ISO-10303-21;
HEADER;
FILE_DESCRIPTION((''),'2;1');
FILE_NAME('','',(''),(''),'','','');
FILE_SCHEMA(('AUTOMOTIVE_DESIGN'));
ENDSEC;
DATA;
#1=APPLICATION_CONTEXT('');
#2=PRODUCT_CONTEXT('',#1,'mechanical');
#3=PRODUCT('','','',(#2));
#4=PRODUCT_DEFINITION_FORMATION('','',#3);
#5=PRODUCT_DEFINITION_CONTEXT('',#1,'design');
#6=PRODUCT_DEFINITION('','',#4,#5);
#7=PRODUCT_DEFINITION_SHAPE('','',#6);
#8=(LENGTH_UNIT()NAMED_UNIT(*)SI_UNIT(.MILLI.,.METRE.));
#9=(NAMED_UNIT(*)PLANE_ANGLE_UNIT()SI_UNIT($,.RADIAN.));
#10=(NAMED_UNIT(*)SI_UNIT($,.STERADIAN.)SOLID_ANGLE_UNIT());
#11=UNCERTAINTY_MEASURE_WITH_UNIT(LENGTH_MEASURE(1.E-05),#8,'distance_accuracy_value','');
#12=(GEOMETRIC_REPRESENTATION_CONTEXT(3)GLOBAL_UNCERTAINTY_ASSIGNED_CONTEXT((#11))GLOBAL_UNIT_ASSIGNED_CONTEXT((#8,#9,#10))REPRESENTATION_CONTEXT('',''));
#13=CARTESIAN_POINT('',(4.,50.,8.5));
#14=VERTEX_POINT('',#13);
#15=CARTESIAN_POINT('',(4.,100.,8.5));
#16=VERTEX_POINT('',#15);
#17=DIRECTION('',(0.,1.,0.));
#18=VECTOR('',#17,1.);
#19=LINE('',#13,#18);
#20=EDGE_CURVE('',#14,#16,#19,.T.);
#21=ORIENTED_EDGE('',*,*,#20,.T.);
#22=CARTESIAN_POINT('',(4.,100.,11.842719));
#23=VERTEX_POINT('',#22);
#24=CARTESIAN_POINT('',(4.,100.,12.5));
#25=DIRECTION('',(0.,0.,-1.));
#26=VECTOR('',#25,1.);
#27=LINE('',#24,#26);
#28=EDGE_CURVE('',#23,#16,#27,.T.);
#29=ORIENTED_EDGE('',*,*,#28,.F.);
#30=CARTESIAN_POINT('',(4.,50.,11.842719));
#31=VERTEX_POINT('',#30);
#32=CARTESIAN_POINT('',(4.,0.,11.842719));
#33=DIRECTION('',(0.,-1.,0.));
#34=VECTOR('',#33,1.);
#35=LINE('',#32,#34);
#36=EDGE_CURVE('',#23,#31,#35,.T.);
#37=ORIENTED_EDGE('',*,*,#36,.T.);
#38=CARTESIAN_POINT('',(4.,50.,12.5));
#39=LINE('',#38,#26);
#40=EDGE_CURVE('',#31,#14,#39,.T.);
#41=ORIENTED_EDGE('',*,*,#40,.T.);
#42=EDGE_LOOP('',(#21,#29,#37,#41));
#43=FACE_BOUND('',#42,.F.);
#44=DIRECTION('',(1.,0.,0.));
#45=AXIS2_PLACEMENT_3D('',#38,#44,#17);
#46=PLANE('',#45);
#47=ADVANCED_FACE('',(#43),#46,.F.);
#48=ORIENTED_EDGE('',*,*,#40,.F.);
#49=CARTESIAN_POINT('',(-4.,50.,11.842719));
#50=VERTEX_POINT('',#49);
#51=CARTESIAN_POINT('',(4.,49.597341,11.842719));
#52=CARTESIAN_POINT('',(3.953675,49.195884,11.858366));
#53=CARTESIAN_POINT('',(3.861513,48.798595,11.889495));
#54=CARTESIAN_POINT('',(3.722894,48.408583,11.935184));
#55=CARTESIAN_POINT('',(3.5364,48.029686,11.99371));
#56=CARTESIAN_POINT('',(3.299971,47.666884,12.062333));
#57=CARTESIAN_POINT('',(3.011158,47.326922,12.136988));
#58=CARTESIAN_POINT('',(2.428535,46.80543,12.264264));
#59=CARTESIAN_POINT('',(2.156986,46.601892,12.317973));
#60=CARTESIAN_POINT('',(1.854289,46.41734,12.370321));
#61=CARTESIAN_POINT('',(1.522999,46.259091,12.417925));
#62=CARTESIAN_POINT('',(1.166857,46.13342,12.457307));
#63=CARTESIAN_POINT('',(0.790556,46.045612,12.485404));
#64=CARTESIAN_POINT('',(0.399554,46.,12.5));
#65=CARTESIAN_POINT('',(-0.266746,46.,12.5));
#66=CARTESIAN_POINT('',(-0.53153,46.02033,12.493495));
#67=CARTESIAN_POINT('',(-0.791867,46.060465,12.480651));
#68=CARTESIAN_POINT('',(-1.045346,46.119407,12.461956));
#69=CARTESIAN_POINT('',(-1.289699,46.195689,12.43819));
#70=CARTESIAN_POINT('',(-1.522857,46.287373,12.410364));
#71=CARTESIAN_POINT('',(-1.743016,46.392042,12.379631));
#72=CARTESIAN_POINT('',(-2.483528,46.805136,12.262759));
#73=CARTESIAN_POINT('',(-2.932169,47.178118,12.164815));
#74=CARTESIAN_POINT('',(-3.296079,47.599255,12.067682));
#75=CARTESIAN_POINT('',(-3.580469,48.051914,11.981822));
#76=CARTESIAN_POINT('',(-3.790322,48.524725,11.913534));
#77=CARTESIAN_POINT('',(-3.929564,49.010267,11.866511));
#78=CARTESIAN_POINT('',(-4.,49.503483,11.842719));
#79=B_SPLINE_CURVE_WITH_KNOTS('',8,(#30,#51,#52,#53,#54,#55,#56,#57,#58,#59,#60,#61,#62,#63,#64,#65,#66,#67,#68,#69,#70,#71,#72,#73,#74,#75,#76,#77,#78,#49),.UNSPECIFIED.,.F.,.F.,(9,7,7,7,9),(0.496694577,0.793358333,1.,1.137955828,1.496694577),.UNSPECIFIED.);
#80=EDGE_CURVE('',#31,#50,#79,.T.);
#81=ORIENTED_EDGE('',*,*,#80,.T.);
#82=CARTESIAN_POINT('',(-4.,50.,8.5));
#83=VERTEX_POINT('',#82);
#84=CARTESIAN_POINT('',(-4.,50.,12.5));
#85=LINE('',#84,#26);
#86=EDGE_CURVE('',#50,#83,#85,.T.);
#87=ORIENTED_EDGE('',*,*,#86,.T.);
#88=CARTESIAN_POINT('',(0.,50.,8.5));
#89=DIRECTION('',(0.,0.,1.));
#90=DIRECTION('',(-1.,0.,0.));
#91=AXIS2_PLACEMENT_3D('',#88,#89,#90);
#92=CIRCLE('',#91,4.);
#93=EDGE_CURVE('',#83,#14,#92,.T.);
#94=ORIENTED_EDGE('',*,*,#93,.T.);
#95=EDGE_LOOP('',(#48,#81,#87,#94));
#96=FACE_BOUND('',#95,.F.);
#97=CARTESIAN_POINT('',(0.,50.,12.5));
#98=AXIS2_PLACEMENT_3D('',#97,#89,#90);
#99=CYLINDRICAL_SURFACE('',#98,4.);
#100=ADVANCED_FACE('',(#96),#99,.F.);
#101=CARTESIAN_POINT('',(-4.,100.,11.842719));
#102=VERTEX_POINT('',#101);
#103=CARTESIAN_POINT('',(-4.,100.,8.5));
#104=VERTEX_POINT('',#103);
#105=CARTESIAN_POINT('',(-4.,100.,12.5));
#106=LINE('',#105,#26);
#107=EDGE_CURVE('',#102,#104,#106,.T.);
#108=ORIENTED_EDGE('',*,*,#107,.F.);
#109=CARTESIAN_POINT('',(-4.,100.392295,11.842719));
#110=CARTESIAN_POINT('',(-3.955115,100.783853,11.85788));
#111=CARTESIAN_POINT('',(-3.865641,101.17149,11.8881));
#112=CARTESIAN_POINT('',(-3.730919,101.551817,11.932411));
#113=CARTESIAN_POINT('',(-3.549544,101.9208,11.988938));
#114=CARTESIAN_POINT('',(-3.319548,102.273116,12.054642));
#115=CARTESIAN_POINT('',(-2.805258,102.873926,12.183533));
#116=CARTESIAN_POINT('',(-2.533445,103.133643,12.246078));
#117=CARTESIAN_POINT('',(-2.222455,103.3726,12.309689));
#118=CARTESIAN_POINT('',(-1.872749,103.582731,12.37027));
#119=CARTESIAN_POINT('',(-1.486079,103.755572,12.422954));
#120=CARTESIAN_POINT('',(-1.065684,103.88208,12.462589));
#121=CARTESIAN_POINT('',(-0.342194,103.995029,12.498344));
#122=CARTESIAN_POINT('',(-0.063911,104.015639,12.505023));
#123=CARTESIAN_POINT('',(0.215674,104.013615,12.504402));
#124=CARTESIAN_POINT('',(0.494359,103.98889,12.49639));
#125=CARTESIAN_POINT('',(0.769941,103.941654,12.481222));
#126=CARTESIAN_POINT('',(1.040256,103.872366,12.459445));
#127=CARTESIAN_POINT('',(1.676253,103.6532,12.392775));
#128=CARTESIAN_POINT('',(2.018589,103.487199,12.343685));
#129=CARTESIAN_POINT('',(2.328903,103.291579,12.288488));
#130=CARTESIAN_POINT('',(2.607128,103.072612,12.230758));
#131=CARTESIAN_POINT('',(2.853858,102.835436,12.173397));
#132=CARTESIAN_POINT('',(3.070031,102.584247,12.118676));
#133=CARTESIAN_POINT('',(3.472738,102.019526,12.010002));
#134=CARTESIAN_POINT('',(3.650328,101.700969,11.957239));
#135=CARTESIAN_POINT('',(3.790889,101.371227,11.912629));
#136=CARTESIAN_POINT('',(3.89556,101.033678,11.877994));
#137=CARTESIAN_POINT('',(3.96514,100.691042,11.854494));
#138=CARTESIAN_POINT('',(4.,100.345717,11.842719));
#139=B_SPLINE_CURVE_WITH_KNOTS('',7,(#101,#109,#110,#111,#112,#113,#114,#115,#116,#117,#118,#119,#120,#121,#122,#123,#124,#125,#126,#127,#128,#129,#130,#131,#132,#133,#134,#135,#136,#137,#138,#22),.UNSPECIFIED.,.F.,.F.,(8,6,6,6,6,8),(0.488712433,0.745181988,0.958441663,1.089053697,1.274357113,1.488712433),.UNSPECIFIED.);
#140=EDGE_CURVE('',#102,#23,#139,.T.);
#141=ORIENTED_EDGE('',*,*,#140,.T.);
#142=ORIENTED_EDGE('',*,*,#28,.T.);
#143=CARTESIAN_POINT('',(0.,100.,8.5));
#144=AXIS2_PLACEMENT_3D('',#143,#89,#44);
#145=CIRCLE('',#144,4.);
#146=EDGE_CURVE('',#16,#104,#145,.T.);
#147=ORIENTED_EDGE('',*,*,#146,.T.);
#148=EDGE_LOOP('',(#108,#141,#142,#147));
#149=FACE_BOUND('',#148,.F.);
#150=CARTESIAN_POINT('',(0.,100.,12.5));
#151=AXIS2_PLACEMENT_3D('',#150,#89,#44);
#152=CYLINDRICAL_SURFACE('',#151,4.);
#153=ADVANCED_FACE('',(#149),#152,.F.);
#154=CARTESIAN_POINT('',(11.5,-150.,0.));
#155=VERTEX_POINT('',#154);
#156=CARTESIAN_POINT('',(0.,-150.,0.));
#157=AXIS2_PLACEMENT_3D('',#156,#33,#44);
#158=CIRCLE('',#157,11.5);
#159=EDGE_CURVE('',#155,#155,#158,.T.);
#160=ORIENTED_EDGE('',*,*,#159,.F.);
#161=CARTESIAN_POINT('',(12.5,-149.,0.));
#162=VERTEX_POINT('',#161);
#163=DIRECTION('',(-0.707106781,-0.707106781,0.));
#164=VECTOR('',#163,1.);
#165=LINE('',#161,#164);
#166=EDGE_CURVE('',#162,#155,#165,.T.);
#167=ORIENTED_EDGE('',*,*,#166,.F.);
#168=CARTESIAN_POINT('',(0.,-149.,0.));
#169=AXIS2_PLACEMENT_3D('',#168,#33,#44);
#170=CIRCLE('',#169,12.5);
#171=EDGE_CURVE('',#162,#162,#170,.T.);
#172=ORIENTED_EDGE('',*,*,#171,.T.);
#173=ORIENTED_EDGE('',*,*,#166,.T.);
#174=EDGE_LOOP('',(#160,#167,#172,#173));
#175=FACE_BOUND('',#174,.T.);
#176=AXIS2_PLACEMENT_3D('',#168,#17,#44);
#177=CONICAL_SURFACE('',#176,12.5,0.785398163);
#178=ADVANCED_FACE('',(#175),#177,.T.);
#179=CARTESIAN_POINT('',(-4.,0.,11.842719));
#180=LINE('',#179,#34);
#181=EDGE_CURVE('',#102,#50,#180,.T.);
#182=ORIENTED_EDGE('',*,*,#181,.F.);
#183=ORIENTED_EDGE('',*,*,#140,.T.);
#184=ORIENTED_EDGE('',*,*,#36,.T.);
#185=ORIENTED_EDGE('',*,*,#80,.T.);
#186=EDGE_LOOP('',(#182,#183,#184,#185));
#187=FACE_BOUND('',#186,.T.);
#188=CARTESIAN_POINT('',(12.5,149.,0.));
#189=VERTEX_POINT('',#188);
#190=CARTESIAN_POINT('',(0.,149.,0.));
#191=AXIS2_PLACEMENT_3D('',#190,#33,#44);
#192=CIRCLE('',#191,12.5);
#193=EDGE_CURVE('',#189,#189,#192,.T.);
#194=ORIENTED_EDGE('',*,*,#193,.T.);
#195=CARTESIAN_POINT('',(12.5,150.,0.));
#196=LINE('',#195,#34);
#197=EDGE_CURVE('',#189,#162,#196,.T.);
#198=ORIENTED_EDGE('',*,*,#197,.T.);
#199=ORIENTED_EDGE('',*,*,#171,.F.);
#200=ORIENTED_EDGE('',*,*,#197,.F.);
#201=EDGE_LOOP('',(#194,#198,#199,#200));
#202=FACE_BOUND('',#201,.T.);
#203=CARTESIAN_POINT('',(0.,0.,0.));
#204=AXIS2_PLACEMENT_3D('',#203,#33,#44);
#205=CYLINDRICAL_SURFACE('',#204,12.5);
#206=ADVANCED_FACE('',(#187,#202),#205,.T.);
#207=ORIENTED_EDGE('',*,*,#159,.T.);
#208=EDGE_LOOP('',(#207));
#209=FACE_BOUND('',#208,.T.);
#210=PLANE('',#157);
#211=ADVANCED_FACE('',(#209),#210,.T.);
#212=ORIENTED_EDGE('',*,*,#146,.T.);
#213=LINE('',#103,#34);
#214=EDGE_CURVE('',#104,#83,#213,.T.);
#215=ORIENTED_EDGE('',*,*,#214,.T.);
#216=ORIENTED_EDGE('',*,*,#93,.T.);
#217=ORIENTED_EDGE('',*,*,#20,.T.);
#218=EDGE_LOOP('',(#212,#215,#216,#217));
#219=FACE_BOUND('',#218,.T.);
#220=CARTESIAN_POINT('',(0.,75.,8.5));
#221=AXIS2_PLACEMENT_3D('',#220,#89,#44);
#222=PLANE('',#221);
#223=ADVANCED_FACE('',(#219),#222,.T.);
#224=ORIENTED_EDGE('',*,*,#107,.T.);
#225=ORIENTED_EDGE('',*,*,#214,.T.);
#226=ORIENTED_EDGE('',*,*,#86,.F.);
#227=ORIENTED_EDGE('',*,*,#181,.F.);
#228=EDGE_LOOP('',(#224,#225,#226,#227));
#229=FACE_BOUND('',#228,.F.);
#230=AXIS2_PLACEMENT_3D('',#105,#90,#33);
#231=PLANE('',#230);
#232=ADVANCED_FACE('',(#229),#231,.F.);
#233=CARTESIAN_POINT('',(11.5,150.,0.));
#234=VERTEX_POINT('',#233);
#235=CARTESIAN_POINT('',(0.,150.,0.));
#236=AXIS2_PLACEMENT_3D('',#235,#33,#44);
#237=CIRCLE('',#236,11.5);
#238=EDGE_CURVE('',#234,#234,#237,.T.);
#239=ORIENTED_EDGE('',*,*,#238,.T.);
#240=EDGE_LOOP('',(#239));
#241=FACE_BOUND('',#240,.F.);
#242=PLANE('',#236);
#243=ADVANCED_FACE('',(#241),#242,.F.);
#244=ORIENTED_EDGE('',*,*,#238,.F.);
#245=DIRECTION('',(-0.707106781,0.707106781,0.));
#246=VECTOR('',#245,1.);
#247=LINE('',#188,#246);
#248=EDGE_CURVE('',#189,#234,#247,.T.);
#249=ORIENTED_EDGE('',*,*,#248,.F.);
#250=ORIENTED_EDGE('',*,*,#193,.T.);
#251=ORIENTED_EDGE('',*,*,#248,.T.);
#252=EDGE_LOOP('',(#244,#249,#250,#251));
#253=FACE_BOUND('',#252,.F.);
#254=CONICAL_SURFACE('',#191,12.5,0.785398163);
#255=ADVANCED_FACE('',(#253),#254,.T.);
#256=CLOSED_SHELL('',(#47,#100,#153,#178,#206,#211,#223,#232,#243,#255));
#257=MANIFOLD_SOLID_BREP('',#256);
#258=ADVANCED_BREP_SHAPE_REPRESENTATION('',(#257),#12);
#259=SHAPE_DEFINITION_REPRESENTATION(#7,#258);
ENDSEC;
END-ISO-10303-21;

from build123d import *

# Parameters (mm, degrees)
F0_R     = 12.5
F1_DEPTH = 150
F4_DEPTH = 4
F5_SIZE  = 1


with BuildPart() as f1:
    # F0 (on Front) → F1 (new body, symmetric)
    with BuildSketch(Plane.XZ):
        Circle(F0_R)
    extrude(amount=F1_DEPTH, both=True)

    # F3 (on offset) → F4 (cut)
    with BuildSketch(Plane.XY.offset(12.5)):
        with BuildLine():
            Line((4, 50), (4, 100))
            ThreePointArc((4, 100), (0, 104), (-4, 100))
            Line((-4, 100), (-4, 50))
            ThreePointArc((-4, 50), (0, 46), (4, 50))
        make_face()
    extrude(amount=-F4_DEPTH, mode=Mode.SUBTRACT)

    # F5
    f5_edges = [f1.edges().sort_by_distance(p)[0] for p in [
        (-12.5, 150, 0),
        (-12.5, -150, 0),
    ]]
    chamfer(f5_edges, length=F5_SIZE)


solid = f1.part
